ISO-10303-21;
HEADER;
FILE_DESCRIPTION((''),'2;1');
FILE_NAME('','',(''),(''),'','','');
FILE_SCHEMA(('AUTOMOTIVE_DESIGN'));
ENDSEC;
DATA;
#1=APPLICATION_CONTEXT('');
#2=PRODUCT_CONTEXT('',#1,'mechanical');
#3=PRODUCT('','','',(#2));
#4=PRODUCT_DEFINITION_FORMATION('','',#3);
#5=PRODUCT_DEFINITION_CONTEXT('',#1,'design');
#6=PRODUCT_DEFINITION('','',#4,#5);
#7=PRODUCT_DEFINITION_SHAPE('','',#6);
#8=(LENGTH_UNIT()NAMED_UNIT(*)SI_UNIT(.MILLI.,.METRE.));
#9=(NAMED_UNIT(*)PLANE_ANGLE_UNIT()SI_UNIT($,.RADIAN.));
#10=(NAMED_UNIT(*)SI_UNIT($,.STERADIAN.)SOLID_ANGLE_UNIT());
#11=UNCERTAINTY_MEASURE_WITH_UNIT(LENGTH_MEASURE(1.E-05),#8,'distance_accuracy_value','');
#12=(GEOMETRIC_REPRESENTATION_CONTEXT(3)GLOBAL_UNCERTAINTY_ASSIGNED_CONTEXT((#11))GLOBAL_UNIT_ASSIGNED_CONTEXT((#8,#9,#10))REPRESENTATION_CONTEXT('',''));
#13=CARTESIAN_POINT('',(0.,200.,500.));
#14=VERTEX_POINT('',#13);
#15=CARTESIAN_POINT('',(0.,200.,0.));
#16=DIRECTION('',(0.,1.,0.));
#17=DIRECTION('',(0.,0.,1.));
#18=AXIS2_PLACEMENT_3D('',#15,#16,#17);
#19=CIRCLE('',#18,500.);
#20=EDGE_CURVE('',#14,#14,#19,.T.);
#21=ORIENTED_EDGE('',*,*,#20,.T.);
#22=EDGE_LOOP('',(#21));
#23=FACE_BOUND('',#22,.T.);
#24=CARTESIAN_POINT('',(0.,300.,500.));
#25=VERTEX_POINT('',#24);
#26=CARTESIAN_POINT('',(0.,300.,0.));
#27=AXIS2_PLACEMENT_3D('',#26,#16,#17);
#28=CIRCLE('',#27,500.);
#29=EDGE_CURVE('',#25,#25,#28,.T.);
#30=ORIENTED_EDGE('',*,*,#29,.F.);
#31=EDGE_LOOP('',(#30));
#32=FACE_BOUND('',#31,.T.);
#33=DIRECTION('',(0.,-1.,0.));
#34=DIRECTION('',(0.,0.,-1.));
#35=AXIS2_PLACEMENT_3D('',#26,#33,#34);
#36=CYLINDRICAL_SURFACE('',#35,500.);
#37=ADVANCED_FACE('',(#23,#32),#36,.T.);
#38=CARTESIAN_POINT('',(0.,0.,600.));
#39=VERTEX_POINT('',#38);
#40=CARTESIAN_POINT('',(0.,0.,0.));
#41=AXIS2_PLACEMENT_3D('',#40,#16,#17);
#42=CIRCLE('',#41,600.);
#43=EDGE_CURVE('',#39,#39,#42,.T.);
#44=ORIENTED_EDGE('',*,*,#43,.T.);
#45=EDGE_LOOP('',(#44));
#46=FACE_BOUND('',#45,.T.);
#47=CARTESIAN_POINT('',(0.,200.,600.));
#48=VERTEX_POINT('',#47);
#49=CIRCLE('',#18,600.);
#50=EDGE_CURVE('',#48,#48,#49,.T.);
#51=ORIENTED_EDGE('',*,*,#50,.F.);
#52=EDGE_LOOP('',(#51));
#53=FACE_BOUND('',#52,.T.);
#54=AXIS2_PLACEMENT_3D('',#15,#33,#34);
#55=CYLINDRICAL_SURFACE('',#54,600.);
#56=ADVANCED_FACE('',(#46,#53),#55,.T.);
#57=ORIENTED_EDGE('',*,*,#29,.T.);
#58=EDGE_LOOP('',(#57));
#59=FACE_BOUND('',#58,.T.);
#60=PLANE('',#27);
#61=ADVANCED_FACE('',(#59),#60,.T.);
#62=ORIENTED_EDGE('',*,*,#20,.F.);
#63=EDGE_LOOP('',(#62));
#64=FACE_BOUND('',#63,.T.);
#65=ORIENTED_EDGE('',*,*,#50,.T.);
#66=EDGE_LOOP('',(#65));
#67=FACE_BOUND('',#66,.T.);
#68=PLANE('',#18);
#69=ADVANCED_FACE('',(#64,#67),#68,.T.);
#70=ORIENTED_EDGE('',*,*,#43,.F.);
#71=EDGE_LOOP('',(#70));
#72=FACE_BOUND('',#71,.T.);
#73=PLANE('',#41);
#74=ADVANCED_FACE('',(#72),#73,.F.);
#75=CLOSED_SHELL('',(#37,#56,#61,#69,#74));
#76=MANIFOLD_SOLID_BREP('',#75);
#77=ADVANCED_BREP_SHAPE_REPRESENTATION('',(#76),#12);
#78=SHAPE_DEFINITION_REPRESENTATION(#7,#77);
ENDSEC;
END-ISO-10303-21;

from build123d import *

# Parameters (mm, degrees)
SKETCH1_R           = 600
BOSS_EXTRUDE1_DEPTH = 200
SKETCH3_R           = 500
BOSS_EXTRUDE2_DEPTH = 100


with BuildPart() as part:
    # Sketch1 → Boss-Extrude1 (new body)
    with BuildSketch(Plane(origin=(0, 0, 0), x_dir=(1, 0, 0), z_dir=(0, 1, 0))):
        Circle(SKETCH1_R)
    extrude(amount=BOSS_EXTRUDE1_DEPTH)

    # Sketch3 → Boss-Extrude2 (add)
    with BuildSketch(Plane(origin=(0, 200, 0), x_dir=(1, 0, 0), z_dir=(0, 1, 0))):
        Circle(SKETCH3_R)
    extrude(amount=BOSS_EXTRUDE2_DEPTH)


solid = part.part
